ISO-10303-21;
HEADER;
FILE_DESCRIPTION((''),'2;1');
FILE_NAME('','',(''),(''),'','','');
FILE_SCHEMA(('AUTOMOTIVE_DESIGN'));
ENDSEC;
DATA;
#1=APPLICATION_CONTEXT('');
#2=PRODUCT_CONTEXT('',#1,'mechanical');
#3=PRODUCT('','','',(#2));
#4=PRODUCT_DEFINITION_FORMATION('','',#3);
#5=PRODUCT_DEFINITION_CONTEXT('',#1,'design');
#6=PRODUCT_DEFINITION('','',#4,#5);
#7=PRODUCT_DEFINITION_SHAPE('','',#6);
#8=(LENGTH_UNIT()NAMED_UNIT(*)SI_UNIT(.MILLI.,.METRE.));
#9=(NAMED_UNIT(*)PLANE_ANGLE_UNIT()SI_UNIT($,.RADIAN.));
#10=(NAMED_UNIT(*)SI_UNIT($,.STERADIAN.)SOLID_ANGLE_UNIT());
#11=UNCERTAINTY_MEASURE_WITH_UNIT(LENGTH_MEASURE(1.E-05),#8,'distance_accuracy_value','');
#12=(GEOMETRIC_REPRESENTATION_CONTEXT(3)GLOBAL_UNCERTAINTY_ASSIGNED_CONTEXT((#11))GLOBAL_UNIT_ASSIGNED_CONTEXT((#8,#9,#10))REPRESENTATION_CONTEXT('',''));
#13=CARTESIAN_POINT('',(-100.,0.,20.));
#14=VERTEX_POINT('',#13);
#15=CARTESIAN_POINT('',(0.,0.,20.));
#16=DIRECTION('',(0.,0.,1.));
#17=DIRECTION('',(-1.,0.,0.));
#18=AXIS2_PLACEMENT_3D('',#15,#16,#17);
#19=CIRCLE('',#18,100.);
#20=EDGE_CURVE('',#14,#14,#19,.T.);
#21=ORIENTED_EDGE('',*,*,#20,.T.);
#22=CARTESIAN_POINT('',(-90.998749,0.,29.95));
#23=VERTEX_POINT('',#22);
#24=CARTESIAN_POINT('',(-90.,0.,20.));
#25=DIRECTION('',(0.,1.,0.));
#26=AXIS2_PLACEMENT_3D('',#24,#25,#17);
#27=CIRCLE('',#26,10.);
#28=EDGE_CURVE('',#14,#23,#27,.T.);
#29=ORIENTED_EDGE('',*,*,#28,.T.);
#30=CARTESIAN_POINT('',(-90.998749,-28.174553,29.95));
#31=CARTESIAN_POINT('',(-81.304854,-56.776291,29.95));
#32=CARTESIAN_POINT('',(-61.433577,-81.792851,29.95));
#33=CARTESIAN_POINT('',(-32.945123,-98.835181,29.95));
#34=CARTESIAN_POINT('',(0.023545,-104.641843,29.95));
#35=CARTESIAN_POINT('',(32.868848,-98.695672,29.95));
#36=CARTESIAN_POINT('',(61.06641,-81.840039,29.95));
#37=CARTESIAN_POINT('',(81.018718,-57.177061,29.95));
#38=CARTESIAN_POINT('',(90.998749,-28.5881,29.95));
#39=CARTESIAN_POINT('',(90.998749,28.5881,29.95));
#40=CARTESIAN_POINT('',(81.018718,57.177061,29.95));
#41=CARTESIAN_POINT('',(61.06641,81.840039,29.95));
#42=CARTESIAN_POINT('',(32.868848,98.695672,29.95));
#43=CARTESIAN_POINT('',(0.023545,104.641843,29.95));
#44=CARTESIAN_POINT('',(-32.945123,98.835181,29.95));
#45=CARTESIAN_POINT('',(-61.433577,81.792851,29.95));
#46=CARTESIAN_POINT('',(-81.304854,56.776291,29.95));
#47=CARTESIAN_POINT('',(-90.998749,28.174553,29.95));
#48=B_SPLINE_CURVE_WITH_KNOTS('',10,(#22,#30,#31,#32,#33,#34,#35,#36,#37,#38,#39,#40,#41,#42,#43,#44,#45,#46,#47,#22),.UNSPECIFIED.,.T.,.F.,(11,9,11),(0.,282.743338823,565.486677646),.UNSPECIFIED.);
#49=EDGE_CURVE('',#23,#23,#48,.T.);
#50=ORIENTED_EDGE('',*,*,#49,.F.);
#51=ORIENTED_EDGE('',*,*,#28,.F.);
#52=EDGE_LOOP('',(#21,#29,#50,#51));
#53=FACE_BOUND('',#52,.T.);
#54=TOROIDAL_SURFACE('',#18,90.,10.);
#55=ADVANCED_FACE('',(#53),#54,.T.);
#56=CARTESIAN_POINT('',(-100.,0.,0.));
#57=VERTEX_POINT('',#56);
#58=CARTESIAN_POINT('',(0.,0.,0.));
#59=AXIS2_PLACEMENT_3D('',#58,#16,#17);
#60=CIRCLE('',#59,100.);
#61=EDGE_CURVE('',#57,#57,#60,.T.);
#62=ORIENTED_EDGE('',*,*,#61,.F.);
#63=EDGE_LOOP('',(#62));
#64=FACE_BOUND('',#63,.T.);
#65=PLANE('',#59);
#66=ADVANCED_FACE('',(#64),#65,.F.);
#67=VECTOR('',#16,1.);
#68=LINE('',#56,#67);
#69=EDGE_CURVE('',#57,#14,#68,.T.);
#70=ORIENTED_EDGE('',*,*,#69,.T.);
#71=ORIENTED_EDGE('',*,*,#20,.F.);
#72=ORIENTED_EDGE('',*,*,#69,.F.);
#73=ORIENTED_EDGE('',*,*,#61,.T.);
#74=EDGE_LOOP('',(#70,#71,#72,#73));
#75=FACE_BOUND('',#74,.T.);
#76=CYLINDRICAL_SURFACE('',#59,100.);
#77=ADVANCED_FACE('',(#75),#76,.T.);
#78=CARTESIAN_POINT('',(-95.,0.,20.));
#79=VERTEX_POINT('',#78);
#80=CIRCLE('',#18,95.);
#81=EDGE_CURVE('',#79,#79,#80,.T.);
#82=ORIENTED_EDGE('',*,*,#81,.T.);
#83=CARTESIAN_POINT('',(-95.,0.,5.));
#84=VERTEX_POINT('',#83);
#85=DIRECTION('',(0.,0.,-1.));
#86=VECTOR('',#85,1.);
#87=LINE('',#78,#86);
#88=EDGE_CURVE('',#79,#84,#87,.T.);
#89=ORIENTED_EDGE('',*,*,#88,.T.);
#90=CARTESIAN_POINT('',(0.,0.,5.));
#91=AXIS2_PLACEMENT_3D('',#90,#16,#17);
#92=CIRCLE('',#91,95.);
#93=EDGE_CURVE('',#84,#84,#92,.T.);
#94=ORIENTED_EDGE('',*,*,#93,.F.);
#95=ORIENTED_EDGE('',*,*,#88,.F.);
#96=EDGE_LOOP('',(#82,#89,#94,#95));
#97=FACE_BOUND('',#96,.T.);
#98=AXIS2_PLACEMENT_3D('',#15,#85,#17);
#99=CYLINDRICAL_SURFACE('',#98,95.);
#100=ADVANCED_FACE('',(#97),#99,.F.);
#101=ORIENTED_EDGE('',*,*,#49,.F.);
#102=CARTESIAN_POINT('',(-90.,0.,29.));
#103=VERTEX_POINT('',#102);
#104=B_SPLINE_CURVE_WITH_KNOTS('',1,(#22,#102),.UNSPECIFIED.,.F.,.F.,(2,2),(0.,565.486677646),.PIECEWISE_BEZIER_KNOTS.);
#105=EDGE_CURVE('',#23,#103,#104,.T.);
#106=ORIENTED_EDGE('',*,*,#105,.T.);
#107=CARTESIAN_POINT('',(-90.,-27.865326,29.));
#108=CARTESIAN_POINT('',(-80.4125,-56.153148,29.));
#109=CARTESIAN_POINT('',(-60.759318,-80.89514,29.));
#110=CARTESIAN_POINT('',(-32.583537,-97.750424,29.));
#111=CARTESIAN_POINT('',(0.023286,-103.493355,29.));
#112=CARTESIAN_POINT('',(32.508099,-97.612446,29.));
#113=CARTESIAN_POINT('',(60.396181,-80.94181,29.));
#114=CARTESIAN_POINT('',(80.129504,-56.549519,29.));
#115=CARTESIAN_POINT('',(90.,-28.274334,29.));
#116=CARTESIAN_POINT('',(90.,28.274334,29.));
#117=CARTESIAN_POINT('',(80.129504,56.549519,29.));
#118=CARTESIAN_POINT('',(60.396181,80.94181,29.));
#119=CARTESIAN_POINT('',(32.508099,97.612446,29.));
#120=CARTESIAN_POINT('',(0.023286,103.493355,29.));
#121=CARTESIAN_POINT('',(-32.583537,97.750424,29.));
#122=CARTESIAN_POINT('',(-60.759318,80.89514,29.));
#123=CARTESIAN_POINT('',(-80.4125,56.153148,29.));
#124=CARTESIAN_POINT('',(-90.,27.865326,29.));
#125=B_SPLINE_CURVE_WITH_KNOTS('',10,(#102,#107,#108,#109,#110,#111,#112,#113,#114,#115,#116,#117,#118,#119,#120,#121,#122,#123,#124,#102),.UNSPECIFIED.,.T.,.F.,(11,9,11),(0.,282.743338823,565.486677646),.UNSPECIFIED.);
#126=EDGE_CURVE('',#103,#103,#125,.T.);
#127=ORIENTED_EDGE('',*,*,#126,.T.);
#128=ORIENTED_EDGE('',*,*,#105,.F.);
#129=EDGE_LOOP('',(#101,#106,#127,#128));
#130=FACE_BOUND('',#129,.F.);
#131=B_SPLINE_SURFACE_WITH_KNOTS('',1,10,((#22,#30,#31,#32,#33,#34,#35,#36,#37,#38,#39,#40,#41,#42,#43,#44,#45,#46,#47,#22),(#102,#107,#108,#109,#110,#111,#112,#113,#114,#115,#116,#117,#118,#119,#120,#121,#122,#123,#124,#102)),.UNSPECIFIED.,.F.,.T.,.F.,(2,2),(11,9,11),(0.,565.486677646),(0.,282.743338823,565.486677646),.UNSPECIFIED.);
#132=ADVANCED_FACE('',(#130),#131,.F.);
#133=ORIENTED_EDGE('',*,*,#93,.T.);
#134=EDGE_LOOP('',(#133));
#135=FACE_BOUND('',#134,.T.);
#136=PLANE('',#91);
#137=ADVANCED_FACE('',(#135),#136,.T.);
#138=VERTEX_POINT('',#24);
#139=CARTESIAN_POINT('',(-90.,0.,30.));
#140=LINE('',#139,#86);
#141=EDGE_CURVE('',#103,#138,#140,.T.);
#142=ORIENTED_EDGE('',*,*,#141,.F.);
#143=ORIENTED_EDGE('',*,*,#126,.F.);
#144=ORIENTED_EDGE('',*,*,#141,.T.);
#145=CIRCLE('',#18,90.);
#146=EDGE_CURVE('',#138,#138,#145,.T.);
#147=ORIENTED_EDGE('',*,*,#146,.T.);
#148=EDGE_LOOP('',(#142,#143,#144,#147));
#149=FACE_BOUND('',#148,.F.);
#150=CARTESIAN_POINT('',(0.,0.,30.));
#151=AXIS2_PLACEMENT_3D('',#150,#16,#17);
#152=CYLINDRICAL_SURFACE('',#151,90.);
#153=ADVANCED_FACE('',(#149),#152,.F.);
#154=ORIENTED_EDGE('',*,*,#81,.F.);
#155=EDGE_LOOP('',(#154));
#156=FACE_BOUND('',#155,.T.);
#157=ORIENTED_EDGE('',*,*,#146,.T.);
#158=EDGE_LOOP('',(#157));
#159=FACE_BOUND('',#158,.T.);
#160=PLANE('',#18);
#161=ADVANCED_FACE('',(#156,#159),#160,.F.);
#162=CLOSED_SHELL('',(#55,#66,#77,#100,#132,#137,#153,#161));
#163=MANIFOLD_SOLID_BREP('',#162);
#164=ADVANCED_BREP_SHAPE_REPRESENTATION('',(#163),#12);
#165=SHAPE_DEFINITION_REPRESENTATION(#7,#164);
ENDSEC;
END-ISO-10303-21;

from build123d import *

# Parameters (mm, degrees)
FILLET_R     = 10
SKETCH001_R  = 90
POCKET_DEPTH = 25
CHAMFER_SIZE = 1


with BuildPart() as part:
    # Sketch → Revolution (revolve)
    with BuildSketch(Plane.XZ):
        Polygon((0, 0), (-100, 0), (-100, 30), (0, 30), (0, 20), (-95, 20), (-95, 5), (0, 5), align=None)
    revolve(axis=Axis((0, 0, 0), (0, 0, 1)))

    # Fillet
    fillet_edges = [part.edges().sort_by_distance(p)[0] for p in [
        (100, 0, 30),
    ]]
    fillet(fillet_edges, radius=FILLET_R)

    # Sketch001 → Pocket (cut)
    with BuildSketch(Plane(origin=(0, 0, 30), x_dir=(-1, 0, 0), z_dir=(0, 0, 1))):
        Circle(SKETCH001_R)
    extrude(amount=-POCKET_DEPTH, mode=Mode.SUBTRACT)

    # Chamfer
    chamfer_edges = [part.edges().sort_by_distance(p)[0] for p in [
        (90, 0, 30),
    ]]
    chamfer(chamfer_edges, length=CHAMFER_SIZE)


solid = part.part
